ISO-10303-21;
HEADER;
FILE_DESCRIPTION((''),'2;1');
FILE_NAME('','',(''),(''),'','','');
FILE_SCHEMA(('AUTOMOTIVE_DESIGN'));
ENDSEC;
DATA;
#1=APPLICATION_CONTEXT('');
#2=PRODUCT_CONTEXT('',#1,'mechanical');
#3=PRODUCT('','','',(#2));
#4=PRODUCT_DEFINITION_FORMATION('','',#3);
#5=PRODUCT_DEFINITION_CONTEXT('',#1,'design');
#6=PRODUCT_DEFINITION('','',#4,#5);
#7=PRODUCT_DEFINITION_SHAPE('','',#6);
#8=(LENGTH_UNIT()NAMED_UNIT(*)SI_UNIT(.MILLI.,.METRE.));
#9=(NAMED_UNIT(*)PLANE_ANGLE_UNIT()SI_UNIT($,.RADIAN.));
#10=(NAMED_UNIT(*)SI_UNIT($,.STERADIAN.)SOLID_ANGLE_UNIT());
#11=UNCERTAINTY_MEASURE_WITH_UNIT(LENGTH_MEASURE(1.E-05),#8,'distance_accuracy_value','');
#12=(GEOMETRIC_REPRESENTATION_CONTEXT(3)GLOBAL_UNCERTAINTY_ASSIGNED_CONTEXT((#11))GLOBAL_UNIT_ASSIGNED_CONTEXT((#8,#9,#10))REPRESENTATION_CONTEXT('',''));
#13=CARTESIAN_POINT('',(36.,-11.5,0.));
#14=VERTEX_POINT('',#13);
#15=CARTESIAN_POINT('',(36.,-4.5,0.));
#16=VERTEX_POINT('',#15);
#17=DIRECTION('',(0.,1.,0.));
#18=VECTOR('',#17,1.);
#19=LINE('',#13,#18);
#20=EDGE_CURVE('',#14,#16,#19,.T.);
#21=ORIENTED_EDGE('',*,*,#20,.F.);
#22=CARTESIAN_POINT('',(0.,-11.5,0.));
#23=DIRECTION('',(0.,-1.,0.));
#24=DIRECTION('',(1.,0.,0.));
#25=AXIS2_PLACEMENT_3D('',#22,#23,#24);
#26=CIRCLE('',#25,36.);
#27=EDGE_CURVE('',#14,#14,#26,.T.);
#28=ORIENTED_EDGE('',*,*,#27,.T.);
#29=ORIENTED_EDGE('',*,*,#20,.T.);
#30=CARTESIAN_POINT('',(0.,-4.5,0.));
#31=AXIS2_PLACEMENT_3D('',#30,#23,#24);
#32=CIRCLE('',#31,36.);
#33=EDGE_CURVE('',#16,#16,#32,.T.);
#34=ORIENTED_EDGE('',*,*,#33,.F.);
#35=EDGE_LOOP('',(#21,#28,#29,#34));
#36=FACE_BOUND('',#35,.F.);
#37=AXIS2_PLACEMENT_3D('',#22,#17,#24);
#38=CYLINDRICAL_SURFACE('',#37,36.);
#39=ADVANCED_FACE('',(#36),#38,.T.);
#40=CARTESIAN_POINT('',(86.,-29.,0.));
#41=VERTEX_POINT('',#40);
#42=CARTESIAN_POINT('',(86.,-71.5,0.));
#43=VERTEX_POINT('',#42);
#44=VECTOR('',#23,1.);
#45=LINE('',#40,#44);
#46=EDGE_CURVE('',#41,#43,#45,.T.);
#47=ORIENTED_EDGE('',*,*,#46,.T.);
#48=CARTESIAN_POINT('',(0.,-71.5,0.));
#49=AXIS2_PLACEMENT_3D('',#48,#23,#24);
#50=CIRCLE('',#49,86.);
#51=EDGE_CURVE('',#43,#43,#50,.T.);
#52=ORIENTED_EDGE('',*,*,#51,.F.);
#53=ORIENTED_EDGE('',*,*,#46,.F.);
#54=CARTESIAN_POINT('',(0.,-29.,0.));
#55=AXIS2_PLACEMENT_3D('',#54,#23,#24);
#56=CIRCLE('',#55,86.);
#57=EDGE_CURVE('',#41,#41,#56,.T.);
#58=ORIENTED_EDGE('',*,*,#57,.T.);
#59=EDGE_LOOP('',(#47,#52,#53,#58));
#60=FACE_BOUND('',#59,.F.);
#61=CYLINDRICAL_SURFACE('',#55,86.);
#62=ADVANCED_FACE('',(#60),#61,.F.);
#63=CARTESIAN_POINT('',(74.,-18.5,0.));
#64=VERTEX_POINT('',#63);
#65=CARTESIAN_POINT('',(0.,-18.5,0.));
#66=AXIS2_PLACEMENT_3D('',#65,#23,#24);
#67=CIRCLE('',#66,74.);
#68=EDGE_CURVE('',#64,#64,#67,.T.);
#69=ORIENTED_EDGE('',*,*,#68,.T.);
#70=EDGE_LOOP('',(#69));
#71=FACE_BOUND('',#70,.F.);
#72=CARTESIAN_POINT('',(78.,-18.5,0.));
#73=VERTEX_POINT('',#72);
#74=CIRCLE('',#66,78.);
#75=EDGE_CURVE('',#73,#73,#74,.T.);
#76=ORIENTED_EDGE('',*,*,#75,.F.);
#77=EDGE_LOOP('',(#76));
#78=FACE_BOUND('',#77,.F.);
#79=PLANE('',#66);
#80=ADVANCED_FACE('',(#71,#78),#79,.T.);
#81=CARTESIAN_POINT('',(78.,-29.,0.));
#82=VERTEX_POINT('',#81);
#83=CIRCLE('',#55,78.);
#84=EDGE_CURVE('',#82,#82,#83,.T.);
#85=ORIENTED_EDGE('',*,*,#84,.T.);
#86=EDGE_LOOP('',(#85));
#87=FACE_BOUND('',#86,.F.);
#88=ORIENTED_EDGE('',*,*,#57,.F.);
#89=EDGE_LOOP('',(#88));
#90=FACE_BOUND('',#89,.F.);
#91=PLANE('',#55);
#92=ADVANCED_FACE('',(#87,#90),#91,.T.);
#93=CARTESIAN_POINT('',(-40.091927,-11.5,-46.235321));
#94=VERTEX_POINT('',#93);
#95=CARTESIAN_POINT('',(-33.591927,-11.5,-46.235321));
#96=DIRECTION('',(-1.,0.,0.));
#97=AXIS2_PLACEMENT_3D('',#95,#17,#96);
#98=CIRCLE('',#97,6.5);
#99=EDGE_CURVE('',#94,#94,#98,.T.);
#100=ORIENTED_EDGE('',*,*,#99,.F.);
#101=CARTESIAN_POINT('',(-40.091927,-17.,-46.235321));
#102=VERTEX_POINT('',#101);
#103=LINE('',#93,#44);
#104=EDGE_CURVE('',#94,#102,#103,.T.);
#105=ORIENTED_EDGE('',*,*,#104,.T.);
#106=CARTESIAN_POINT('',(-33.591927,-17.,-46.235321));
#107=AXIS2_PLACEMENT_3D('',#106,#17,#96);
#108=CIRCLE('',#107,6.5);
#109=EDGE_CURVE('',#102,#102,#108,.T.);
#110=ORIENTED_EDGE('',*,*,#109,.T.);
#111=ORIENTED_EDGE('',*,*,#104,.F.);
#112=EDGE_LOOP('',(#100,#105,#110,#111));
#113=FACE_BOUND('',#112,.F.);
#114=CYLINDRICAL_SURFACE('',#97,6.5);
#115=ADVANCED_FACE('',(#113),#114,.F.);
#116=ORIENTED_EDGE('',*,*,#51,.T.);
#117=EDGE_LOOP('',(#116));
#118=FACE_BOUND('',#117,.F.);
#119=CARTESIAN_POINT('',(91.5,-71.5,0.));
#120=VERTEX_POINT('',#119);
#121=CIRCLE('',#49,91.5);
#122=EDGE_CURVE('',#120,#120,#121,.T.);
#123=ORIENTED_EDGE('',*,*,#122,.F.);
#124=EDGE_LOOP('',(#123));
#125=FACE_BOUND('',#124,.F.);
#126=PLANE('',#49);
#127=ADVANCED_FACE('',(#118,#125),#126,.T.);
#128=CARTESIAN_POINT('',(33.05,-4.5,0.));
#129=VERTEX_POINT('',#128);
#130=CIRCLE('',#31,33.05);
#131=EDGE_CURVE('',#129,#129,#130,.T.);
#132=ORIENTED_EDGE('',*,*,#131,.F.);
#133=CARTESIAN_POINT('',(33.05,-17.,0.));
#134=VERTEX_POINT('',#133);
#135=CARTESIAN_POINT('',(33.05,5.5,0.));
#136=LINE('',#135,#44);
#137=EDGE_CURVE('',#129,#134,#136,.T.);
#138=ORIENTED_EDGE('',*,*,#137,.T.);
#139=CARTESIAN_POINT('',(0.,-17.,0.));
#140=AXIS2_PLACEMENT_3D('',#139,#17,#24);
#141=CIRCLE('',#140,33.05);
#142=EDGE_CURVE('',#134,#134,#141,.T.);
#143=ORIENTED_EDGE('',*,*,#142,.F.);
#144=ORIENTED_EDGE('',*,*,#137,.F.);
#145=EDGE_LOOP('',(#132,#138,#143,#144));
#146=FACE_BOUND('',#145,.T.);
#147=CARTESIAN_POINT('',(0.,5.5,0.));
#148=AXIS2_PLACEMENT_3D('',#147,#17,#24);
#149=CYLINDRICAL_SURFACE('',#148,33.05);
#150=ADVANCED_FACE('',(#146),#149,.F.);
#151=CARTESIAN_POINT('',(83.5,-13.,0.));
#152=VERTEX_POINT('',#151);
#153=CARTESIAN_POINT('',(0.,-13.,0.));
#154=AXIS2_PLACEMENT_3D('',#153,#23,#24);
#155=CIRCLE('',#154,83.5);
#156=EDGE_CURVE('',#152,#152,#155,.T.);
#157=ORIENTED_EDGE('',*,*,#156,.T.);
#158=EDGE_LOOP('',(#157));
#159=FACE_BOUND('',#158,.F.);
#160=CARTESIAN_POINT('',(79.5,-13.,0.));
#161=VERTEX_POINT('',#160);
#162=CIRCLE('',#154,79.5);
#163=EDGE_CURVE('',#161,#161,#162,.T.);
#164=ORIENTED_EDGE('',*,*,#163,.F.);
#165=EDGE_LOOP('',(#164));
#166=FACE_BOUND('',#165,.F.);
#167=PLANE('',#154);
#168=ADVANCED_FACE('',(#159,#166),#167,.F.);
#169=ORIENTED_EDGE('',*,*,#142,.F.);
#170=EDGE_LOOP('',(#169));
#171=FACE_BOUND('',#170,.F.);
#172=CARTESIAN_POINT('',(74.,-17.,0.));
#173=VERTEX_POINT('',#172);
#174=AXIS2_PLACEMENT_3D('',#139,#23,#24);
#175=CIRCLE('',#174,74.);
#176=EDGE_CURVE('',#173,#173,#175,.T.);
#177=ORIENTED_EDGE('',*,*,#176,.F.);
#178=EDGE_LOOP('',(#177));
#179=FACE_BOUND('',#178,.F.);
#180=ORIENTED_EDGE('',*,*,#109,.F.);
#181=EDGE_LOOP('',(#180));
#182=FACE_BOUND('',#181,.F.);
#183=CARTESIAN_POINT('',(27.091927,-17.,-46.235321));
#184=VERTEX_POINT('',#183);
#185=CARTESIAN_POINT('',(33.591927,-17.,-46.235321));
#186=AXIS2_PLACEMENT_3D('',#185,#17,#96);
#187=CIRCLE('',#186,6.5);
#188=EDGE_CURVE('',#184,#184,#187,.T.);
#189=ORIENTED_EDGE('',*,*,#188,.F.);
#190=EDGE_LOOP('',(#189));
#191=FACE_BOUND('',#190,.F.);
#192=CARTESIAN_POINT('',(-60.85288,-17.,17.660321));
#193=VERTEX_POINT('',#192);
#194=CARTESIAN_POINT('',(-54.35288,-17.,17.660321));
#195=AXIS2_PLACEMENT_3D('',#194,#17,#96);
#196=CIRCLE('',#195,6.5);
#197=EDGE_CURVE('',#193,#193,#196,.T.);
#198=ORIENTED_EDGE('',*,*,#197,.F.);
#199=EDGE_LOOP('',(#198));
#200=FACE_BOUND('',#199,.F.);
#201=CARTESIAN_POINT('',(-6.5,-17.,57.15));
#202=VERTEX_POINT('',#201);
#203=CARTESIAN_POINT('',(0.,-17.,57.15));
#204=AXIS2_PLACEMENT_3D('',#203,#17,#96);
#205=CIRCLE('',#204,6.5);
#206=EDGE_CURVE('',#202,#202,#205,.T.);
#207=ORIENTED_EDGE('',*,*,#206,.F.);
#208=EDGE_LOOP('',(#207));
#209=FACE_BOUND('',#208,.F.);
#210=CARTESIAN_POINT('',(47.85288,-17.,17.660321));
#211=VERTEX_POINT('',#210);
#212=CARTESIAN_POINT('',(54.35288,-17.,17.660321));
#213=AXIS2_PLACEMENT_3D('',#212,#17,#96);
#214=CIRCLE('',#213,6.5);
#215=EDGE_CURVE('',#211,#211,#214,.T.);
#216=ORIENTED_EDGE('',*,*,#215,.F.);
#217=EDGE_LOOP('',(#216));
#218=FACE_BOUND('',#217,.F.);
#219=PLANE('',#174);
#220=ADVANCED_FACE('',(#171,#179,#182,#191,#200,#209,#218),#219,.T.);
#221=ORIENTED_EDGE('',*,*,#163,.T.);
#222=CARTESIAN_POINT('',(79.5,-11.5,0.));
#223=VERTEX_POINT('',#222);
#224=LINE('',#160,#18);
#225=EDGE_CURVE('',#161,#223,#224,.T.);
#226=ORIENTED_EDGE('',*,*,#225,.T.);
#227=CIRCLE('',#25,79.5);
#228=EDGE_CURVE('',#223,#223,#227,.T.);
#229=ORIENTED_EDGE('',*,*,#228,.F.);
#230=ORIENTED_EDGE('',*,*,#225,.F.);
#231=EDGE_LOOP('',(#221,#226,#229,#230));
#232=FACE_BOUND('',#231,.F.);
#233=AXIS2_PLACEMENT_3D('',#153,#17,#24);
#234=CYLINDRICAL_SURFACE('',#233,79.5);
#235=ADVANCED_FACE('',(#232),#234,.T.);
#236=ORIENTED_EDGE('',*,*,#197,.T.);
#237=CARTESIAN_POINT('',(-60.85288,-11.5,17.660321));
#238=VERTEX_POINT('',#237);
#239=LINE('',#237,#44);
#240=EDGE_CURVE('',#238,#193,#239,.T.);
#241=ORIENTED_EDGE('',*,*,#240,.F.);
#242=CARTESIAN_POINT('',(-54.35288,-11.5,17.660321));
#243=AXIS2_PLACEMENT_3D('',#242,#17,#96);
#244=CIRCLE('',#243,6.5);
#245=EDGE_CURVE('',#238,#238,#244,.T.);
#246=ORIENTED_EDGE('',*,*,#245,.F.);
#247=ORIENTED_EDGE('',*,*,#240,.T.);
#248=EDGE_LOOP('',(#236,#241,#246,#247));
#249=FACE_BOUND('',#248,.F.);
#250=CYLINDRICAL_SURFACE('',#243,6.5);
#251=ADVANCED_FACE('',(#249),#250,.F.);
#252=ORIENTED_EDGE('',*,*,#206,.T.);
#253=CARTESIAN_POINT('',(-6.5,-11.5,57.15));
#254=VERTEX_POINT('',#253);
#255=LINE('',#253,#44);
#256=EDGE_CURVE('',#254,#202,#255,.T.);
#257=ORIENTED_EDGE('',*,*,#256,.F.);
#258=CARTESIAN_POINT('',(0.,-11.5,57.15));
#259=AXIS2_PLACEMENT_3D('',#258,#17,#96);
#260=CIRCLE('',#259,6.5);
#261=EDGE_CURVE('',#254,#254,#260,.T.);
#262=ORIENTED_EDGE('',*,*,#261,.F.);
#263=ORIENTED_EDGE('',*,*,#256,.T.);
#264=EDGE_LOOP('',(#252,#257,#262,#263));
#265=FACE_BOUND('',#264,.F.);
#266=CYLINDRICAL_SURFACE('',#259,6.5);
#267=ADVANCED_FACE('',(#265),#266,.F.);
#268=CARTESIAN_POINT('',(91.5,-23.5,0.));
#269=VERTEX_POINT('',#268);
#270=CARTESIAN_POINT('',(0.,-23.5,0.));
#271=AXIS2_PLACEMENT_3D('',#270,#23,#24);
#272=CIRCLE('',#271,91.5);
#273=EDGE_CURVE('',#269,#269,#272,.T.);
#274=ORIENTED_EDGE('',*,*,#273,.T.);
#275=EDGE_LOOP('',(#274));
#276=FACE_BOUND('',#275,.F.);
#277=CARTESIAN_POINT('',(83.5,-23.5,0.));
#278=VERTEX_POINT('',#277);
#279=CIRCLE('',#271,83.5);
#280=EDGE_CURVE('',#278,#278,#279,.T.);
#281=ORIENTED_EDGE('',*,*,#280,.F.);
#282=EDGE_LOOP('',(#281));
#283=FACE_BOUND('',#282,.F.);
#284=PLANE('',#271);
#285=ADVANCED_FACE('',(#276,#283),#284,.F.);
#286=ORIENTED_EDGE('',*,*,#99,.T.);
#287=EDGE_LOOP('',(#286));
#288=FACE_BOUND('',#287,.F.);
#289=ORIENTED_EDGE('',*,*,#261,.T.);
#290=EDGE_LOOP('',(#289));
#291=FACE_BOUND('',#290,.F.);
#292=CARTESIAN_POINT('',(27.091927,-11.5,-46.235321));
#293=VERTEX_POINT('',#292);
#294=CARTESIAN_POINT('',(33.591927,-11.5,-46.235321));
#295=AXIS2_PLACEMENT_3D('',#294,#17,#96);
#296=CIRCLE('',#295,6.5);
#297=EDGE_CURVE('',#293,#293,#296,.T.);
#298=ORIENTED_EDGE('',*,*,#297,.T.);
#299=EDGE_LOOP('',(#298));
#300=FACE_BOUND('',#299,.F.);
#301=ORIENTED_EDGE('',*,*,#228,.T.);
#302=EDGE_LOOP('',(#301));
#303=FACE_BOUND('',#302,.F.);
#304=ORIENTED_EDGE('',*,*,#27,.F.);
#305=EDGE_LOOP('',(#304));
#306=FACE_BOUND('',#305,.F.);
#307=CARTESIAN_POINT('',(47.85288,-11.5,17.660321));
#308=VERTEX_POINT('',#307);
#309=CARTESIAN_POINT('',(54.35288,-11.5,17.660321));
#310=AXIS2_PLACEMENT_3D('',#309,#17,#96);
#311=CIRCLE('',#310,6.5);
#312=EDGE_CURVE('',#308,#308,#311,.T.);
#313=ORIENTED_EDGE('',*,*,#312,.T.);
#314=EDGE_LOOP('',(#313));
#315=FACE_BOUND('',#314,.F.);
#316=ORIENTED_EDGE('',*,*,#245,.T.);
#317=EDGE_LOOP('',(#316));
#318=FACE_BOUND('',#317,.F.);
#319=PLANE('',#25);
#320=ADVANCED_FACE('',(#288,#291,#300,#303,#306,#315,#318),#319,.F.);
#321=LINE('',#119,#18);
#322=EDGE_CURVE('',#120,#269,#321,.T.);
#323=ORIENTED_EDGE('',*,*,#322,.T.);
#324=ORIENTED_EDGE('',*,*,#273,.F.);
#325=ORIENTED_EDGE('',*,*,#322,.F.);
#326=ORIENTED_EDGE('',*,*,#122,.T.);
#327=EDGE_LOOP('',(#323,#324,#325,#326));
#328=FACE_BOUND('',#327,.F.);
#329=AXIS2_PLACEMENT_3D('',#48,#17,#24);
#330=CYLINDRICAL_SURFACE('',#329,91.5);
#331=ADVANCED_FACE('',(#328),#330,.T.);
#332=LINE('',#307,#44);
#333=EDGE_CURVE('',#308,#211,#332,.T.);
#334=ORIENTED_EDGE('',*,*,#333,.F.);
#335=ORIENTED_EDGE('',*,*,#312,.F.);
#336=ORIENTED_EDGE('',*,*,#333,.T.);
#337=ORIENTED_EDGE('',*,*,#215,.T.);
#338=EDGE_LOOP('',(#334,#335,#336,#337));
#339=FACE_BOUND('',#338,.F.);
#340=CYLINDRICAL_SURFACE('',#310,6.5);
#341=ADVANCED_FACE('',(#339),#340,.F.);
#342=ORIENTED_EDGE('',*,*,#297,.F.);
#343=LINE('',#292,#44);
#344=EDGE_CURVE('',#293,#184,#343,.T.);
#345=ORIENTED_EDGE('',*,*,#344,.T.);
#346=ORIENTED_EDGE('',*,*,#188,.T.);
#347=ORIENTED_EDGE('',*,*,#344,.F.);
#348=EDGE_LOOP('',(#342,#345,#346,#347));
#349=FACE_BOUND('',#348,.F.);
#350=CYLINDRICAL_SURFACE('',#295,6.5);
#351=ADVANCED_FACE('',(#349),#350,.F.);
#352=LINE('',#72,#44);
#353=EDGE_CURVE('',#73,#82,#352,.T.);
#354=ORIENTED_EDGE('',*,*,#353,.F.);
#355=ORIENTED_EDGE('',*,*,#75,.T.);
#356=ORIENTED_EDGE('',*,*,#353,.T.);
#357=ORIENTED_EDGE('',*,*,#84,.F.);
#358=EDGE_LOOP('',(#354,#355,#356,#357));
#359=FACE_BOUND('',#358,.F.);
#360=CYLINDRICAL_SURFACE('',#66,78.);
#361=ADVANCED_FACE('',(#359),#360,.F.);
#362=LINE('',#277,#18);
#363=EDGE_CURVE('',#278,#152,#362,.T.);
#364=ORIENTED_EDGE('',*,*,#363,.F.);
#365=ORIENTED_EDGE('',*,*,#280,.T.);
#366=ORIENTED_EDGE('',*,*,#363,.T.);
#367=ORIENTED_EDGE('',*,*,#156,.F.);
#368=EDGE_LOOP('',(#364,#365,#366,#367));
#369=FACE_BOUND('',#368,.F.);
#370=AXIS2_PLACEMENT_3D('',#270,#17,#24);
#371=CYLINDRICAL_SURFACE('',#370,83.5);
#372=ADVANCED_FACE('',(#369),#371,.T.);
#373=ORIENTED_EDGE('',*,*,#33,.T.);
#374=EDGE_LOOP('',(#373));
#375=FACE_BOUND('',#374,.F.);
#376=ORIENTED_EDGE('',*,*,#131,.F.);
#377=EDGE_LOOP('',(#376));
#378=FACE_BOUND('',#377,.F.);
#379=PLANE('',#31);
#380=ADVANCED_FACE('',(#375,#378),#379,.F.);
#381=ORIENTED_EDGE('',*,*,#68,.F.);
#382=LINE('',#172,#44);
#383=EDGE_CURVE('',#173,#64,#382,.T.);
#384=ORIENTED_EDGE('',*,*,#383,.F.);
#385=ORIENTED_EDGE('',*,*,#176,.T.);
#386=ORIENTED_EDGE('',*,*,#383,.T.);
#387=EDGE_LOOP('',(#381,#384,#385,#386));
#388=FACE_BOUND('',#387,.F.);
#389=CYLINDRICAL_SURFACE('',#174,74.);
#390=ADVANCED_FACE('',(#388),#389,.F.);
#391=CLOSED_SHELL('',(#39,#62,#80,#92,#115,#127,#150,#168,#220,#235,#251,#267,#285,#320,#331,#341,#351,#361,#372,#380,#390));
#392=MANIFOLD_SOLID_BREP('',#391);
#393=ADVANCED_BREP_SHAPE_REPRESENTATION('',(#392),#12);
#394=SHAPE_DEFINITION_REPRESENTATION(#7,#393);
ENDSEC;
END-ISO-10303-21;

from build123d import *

# Parameters (mm, degrees)
F2_R     = 6.5
F3_DEPTH = 5.5
F4_DEPTH = 77.001


with BuildPart() as f1:
    # F0 (on Top) → F1 (revolve)
    with BuildSketch(Plane.XY):
        Polygon((86, -29), (86, -71.5), (91.5, -71.5), (91.5, -23.5), (83.5, -23.5), (83.5, -13), (79.5, -13), (79.5, -11.5), (36, -11.5), (36, -4.5), (33.05, -4.5), (33.05, 5.5), (0, 5.5), (0, 0), (27.55, 0), (27.55, -10), (30.5, -10), (30.5, -17), (74, -17), (74, -18.5), (78, -18.5), (78, -29), align=None)
    revolve(axis=Axis((0, 2.75, 0), (0, -1, 0)))

    # F2 (on face) → F3 (cut, through all)
    with BuildSketch(Plane(origin=(0, -11.5, 0), x_dir=(-1, 0, 0), z_dir=(0, 1, 0))):
        with Locations((0, 57.15)):
            Circle(F2_R)
        with Locations((-54.3528799063, 17.6603212285)):
            Circle(F2_R)
        with Locations((-33.5919271685, -46.2353212285)):
            Circle(F2_R)
        with Locations((33.5919271685, -46.2353212285)):
            Circle(F2_R)
        with Locations((54.3528799063, 17.6603212285)):
            Circle(F2_R)
    extrude(amount=-F3_DEPTH, mode=Mode.SUBTRACT)

    # F4 (cut, through all): a face of the model
    f4_faces = [f1.faces().sort_by_distance(p)[0] for p in [
        (0, 5.5, 0),
    ]]
    extrude(f4_faces, amount=-F4_DEPTH, mode=Mode.SUBTRACT)


solid = f1.part
